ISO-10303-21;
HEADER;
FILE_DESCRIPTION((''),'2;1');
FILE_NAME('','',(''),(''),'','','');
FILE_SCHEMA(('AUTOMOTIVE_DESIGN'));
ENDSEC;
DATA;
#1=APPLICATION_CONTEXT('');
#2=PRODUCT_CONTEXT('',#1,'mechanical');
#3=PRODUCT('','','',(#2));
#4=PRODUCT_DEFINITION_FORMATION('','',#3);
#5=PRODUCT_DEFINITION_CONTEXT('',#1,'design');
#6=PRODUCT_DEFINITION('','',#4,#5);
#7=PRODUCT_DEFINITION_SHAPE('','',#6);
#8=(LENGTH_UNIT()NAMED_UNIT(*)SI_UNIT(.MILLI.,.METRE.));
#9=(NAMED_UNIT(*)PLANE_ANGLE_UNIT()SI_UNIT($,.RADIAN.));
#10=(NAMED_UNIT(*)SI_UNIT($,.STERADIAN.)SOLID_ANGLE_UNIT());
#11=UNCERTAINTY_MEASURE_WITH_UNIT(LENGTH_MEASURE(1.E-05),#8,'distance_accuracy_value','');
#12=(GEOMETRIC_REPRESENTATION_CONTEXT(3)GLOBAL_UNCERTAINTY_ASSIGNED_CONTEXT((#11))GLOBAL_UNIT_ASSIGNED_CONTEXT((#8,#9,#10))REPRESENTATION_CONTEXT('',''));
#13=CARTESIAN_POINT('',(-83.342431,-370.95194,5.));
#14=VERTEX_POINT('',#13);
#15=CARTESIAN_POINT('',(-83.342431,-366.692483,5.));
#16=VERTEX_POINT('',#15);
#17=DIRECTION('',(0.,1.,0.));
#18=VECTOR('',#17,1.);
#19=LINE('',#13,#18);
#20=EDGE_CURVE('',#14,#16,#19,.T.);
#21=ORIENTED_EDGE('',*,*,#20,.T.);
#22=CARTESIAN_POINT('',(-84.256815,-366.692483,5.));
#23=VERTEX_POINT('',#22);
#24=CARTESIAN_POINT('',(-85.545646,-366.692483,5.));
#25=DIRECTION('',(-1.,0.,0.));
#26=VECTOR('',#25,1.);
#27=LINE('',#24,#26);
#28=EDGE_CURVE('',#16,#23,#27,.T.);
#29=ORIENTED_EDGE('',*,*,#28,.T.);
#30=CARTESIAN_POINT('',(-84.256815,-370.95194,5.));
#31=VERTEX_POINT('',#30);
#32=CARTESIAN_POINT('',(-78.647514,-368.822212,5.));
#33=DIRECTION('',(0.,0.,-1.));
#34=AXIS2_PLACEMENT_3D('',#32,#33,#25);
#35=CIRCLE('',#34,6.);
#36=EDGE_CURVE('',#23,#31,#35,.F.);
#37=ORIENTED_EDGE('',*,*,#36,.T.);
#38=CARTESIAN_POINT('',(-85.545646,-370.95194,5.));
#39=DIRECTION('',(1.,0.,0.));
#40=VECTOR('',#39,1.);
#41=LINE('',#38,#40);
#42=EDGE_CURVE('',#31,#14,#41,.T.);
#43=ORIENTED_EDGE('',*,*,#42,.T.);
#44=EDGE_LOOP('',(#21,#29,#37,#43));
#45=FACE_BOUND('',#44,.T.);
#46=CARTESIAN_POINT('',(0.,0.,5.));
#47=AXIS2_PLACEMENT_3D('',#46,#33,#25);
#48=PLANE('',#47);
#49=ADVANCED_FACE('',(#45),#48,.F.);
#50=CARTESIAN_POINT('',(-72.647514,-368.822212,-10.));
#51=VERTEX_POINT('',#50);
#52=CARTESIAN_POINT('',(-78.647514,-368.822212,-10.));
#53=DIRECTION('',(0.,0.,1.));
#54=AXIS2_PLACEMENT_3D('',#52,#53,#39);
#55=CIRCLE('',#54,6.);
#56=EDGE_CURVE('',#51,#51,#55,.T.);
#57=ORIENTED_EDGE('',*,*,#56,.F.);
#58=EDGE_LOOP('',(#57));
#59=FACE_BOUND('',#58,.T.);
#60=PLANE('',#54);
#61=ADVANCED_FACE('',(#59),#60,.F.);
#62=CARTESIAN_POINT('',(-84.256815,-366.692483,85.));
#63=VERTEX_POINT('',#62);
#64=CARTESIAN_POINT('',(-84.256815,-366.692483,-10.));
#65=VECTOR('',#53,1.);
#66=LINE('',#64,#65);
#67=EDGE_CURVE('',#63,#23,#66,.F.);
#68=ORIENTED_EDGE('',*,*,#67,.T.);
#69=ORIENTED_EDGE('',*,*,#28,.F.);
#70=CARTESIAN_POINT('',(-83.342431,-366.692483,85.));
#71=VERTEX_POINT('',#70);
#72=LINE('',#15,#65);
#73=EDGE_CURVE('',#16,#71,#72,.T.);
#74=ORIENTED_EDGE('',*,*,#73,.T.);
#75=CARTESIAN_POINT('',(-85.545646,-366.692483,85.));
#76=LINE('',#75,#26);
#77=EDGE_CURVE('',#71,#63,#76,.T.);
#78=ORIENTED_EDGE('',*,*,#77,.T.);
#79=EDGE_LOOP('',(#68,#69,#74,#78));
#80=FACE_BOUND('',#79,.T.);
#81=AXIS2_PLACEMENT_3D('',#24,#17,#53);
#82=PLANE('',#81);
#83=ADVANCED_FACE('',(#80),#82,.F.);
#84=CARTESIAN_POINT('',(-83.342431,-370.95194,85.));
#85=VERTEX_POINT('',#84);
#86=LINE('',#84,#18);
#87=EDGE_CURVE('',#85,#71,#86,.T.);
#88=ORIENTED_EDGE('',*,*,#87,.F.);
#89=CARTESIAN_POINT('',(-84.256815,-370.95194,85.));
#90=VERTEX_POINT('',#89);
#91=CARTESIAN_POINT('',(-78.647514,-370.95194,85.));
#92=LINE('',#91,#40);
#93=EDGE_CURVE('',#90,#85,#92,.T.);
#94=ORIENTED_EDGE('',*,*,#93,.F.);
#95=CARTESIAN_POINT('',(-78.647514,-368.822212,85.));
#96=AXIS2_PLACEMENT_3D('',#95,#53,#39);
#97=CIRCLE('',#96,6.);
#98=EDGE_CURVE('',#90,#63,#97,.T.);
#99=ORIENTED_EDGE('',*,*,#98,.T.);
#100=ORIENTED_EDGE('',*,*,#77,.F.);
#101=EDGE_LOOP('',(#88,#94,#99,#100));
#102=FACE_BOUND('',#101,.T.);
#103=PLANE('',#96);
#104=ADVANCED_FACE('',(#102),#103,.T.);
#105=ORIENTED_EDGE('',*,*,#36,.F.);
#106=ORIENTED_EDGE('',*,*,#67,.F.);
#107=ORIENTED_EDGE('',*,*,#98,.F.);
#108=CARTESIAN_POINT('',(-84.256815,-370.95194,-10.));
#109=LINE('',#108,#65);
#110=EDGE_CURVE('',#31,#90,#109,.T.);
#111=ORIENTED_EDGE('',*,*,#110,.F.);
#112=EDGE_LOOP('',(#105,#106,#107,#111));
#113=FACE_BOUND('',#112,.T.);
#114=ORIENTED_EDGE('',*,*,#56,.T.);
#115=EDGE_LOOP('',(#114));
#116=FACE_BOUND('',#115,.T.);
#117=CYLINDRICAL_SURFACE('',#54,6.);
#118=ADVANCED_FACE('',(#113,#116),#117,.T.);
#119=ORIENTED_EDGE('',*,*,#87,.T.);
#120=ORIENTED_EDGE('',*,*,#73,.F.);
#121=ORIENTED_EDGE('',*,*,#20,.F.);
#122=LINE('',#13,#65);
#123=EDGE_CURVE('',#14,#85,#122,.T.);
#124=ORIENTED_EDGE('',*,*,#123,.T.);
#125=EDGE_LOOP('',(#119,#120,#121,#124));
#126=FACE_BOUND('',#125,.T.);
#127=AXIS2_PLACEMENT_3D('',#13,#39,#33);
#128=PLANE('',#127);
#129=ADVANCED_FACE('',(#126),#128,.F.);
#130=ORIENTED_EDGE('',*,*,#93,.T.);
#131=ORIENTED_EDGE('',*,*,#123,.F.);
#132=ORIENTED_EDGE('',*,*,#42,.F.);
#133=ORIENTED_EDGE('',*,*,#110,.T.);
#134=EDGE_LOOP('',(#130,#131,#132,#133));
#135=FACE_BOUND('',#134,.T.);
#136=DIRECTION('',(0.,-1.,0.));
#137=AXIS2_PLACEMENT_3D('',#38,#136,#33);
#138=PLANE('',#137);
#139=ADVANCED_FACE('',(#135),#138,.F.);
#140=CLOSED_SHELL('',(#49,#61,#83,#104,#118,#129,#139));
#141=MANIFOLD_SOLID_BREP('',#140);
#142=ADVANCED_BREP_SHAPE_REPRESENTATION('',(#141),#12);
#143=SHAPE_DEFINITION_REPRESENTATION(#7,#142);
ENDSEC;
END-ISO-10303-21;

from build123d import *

# Parameters (mm, degrees)
BOSS_EXTRUDE1_DEPTH      = 85
BOSS_EXTRUDE1_DEPTH_BACK = 10
SKETCH1_R                = 6
SKETCH2_W                = 2.203214475
SKETCH2_H                = 4.25945658
CUT_EXTRUDE1_DEPTH       = 80


with BuildPart() as part:
    # Sketch1 → Boss-Extrude1 (new, two sides: drawn at the far end of the back side and taken through both)
    with BuildSketch(Plane.XY.offset(-BOSS_EXTRUDE1_DEPTH_BACK)):
        with Locations((-78.64751379, -368.822211525)):
            Circle(SKETCH1_R)
    extrude(amount=BOSS_EXTRUDE1_DEPTH + BOSS_EXTRUDE1_DEPTH_BACK)

    # Sketch2 → Cut-Extrude1 (cut)
    with BuildSketch(Plane.XY.offset(85)):
        with Locations((-84.444038678, -368.822211525)):
            Rectangle(SKETCH2_W, SKETCH2_H)
    extrude(amount=-CUT_EXTRUDE1_DEPTH, mode=Mode.SUBTRACT)


solid = part.part
